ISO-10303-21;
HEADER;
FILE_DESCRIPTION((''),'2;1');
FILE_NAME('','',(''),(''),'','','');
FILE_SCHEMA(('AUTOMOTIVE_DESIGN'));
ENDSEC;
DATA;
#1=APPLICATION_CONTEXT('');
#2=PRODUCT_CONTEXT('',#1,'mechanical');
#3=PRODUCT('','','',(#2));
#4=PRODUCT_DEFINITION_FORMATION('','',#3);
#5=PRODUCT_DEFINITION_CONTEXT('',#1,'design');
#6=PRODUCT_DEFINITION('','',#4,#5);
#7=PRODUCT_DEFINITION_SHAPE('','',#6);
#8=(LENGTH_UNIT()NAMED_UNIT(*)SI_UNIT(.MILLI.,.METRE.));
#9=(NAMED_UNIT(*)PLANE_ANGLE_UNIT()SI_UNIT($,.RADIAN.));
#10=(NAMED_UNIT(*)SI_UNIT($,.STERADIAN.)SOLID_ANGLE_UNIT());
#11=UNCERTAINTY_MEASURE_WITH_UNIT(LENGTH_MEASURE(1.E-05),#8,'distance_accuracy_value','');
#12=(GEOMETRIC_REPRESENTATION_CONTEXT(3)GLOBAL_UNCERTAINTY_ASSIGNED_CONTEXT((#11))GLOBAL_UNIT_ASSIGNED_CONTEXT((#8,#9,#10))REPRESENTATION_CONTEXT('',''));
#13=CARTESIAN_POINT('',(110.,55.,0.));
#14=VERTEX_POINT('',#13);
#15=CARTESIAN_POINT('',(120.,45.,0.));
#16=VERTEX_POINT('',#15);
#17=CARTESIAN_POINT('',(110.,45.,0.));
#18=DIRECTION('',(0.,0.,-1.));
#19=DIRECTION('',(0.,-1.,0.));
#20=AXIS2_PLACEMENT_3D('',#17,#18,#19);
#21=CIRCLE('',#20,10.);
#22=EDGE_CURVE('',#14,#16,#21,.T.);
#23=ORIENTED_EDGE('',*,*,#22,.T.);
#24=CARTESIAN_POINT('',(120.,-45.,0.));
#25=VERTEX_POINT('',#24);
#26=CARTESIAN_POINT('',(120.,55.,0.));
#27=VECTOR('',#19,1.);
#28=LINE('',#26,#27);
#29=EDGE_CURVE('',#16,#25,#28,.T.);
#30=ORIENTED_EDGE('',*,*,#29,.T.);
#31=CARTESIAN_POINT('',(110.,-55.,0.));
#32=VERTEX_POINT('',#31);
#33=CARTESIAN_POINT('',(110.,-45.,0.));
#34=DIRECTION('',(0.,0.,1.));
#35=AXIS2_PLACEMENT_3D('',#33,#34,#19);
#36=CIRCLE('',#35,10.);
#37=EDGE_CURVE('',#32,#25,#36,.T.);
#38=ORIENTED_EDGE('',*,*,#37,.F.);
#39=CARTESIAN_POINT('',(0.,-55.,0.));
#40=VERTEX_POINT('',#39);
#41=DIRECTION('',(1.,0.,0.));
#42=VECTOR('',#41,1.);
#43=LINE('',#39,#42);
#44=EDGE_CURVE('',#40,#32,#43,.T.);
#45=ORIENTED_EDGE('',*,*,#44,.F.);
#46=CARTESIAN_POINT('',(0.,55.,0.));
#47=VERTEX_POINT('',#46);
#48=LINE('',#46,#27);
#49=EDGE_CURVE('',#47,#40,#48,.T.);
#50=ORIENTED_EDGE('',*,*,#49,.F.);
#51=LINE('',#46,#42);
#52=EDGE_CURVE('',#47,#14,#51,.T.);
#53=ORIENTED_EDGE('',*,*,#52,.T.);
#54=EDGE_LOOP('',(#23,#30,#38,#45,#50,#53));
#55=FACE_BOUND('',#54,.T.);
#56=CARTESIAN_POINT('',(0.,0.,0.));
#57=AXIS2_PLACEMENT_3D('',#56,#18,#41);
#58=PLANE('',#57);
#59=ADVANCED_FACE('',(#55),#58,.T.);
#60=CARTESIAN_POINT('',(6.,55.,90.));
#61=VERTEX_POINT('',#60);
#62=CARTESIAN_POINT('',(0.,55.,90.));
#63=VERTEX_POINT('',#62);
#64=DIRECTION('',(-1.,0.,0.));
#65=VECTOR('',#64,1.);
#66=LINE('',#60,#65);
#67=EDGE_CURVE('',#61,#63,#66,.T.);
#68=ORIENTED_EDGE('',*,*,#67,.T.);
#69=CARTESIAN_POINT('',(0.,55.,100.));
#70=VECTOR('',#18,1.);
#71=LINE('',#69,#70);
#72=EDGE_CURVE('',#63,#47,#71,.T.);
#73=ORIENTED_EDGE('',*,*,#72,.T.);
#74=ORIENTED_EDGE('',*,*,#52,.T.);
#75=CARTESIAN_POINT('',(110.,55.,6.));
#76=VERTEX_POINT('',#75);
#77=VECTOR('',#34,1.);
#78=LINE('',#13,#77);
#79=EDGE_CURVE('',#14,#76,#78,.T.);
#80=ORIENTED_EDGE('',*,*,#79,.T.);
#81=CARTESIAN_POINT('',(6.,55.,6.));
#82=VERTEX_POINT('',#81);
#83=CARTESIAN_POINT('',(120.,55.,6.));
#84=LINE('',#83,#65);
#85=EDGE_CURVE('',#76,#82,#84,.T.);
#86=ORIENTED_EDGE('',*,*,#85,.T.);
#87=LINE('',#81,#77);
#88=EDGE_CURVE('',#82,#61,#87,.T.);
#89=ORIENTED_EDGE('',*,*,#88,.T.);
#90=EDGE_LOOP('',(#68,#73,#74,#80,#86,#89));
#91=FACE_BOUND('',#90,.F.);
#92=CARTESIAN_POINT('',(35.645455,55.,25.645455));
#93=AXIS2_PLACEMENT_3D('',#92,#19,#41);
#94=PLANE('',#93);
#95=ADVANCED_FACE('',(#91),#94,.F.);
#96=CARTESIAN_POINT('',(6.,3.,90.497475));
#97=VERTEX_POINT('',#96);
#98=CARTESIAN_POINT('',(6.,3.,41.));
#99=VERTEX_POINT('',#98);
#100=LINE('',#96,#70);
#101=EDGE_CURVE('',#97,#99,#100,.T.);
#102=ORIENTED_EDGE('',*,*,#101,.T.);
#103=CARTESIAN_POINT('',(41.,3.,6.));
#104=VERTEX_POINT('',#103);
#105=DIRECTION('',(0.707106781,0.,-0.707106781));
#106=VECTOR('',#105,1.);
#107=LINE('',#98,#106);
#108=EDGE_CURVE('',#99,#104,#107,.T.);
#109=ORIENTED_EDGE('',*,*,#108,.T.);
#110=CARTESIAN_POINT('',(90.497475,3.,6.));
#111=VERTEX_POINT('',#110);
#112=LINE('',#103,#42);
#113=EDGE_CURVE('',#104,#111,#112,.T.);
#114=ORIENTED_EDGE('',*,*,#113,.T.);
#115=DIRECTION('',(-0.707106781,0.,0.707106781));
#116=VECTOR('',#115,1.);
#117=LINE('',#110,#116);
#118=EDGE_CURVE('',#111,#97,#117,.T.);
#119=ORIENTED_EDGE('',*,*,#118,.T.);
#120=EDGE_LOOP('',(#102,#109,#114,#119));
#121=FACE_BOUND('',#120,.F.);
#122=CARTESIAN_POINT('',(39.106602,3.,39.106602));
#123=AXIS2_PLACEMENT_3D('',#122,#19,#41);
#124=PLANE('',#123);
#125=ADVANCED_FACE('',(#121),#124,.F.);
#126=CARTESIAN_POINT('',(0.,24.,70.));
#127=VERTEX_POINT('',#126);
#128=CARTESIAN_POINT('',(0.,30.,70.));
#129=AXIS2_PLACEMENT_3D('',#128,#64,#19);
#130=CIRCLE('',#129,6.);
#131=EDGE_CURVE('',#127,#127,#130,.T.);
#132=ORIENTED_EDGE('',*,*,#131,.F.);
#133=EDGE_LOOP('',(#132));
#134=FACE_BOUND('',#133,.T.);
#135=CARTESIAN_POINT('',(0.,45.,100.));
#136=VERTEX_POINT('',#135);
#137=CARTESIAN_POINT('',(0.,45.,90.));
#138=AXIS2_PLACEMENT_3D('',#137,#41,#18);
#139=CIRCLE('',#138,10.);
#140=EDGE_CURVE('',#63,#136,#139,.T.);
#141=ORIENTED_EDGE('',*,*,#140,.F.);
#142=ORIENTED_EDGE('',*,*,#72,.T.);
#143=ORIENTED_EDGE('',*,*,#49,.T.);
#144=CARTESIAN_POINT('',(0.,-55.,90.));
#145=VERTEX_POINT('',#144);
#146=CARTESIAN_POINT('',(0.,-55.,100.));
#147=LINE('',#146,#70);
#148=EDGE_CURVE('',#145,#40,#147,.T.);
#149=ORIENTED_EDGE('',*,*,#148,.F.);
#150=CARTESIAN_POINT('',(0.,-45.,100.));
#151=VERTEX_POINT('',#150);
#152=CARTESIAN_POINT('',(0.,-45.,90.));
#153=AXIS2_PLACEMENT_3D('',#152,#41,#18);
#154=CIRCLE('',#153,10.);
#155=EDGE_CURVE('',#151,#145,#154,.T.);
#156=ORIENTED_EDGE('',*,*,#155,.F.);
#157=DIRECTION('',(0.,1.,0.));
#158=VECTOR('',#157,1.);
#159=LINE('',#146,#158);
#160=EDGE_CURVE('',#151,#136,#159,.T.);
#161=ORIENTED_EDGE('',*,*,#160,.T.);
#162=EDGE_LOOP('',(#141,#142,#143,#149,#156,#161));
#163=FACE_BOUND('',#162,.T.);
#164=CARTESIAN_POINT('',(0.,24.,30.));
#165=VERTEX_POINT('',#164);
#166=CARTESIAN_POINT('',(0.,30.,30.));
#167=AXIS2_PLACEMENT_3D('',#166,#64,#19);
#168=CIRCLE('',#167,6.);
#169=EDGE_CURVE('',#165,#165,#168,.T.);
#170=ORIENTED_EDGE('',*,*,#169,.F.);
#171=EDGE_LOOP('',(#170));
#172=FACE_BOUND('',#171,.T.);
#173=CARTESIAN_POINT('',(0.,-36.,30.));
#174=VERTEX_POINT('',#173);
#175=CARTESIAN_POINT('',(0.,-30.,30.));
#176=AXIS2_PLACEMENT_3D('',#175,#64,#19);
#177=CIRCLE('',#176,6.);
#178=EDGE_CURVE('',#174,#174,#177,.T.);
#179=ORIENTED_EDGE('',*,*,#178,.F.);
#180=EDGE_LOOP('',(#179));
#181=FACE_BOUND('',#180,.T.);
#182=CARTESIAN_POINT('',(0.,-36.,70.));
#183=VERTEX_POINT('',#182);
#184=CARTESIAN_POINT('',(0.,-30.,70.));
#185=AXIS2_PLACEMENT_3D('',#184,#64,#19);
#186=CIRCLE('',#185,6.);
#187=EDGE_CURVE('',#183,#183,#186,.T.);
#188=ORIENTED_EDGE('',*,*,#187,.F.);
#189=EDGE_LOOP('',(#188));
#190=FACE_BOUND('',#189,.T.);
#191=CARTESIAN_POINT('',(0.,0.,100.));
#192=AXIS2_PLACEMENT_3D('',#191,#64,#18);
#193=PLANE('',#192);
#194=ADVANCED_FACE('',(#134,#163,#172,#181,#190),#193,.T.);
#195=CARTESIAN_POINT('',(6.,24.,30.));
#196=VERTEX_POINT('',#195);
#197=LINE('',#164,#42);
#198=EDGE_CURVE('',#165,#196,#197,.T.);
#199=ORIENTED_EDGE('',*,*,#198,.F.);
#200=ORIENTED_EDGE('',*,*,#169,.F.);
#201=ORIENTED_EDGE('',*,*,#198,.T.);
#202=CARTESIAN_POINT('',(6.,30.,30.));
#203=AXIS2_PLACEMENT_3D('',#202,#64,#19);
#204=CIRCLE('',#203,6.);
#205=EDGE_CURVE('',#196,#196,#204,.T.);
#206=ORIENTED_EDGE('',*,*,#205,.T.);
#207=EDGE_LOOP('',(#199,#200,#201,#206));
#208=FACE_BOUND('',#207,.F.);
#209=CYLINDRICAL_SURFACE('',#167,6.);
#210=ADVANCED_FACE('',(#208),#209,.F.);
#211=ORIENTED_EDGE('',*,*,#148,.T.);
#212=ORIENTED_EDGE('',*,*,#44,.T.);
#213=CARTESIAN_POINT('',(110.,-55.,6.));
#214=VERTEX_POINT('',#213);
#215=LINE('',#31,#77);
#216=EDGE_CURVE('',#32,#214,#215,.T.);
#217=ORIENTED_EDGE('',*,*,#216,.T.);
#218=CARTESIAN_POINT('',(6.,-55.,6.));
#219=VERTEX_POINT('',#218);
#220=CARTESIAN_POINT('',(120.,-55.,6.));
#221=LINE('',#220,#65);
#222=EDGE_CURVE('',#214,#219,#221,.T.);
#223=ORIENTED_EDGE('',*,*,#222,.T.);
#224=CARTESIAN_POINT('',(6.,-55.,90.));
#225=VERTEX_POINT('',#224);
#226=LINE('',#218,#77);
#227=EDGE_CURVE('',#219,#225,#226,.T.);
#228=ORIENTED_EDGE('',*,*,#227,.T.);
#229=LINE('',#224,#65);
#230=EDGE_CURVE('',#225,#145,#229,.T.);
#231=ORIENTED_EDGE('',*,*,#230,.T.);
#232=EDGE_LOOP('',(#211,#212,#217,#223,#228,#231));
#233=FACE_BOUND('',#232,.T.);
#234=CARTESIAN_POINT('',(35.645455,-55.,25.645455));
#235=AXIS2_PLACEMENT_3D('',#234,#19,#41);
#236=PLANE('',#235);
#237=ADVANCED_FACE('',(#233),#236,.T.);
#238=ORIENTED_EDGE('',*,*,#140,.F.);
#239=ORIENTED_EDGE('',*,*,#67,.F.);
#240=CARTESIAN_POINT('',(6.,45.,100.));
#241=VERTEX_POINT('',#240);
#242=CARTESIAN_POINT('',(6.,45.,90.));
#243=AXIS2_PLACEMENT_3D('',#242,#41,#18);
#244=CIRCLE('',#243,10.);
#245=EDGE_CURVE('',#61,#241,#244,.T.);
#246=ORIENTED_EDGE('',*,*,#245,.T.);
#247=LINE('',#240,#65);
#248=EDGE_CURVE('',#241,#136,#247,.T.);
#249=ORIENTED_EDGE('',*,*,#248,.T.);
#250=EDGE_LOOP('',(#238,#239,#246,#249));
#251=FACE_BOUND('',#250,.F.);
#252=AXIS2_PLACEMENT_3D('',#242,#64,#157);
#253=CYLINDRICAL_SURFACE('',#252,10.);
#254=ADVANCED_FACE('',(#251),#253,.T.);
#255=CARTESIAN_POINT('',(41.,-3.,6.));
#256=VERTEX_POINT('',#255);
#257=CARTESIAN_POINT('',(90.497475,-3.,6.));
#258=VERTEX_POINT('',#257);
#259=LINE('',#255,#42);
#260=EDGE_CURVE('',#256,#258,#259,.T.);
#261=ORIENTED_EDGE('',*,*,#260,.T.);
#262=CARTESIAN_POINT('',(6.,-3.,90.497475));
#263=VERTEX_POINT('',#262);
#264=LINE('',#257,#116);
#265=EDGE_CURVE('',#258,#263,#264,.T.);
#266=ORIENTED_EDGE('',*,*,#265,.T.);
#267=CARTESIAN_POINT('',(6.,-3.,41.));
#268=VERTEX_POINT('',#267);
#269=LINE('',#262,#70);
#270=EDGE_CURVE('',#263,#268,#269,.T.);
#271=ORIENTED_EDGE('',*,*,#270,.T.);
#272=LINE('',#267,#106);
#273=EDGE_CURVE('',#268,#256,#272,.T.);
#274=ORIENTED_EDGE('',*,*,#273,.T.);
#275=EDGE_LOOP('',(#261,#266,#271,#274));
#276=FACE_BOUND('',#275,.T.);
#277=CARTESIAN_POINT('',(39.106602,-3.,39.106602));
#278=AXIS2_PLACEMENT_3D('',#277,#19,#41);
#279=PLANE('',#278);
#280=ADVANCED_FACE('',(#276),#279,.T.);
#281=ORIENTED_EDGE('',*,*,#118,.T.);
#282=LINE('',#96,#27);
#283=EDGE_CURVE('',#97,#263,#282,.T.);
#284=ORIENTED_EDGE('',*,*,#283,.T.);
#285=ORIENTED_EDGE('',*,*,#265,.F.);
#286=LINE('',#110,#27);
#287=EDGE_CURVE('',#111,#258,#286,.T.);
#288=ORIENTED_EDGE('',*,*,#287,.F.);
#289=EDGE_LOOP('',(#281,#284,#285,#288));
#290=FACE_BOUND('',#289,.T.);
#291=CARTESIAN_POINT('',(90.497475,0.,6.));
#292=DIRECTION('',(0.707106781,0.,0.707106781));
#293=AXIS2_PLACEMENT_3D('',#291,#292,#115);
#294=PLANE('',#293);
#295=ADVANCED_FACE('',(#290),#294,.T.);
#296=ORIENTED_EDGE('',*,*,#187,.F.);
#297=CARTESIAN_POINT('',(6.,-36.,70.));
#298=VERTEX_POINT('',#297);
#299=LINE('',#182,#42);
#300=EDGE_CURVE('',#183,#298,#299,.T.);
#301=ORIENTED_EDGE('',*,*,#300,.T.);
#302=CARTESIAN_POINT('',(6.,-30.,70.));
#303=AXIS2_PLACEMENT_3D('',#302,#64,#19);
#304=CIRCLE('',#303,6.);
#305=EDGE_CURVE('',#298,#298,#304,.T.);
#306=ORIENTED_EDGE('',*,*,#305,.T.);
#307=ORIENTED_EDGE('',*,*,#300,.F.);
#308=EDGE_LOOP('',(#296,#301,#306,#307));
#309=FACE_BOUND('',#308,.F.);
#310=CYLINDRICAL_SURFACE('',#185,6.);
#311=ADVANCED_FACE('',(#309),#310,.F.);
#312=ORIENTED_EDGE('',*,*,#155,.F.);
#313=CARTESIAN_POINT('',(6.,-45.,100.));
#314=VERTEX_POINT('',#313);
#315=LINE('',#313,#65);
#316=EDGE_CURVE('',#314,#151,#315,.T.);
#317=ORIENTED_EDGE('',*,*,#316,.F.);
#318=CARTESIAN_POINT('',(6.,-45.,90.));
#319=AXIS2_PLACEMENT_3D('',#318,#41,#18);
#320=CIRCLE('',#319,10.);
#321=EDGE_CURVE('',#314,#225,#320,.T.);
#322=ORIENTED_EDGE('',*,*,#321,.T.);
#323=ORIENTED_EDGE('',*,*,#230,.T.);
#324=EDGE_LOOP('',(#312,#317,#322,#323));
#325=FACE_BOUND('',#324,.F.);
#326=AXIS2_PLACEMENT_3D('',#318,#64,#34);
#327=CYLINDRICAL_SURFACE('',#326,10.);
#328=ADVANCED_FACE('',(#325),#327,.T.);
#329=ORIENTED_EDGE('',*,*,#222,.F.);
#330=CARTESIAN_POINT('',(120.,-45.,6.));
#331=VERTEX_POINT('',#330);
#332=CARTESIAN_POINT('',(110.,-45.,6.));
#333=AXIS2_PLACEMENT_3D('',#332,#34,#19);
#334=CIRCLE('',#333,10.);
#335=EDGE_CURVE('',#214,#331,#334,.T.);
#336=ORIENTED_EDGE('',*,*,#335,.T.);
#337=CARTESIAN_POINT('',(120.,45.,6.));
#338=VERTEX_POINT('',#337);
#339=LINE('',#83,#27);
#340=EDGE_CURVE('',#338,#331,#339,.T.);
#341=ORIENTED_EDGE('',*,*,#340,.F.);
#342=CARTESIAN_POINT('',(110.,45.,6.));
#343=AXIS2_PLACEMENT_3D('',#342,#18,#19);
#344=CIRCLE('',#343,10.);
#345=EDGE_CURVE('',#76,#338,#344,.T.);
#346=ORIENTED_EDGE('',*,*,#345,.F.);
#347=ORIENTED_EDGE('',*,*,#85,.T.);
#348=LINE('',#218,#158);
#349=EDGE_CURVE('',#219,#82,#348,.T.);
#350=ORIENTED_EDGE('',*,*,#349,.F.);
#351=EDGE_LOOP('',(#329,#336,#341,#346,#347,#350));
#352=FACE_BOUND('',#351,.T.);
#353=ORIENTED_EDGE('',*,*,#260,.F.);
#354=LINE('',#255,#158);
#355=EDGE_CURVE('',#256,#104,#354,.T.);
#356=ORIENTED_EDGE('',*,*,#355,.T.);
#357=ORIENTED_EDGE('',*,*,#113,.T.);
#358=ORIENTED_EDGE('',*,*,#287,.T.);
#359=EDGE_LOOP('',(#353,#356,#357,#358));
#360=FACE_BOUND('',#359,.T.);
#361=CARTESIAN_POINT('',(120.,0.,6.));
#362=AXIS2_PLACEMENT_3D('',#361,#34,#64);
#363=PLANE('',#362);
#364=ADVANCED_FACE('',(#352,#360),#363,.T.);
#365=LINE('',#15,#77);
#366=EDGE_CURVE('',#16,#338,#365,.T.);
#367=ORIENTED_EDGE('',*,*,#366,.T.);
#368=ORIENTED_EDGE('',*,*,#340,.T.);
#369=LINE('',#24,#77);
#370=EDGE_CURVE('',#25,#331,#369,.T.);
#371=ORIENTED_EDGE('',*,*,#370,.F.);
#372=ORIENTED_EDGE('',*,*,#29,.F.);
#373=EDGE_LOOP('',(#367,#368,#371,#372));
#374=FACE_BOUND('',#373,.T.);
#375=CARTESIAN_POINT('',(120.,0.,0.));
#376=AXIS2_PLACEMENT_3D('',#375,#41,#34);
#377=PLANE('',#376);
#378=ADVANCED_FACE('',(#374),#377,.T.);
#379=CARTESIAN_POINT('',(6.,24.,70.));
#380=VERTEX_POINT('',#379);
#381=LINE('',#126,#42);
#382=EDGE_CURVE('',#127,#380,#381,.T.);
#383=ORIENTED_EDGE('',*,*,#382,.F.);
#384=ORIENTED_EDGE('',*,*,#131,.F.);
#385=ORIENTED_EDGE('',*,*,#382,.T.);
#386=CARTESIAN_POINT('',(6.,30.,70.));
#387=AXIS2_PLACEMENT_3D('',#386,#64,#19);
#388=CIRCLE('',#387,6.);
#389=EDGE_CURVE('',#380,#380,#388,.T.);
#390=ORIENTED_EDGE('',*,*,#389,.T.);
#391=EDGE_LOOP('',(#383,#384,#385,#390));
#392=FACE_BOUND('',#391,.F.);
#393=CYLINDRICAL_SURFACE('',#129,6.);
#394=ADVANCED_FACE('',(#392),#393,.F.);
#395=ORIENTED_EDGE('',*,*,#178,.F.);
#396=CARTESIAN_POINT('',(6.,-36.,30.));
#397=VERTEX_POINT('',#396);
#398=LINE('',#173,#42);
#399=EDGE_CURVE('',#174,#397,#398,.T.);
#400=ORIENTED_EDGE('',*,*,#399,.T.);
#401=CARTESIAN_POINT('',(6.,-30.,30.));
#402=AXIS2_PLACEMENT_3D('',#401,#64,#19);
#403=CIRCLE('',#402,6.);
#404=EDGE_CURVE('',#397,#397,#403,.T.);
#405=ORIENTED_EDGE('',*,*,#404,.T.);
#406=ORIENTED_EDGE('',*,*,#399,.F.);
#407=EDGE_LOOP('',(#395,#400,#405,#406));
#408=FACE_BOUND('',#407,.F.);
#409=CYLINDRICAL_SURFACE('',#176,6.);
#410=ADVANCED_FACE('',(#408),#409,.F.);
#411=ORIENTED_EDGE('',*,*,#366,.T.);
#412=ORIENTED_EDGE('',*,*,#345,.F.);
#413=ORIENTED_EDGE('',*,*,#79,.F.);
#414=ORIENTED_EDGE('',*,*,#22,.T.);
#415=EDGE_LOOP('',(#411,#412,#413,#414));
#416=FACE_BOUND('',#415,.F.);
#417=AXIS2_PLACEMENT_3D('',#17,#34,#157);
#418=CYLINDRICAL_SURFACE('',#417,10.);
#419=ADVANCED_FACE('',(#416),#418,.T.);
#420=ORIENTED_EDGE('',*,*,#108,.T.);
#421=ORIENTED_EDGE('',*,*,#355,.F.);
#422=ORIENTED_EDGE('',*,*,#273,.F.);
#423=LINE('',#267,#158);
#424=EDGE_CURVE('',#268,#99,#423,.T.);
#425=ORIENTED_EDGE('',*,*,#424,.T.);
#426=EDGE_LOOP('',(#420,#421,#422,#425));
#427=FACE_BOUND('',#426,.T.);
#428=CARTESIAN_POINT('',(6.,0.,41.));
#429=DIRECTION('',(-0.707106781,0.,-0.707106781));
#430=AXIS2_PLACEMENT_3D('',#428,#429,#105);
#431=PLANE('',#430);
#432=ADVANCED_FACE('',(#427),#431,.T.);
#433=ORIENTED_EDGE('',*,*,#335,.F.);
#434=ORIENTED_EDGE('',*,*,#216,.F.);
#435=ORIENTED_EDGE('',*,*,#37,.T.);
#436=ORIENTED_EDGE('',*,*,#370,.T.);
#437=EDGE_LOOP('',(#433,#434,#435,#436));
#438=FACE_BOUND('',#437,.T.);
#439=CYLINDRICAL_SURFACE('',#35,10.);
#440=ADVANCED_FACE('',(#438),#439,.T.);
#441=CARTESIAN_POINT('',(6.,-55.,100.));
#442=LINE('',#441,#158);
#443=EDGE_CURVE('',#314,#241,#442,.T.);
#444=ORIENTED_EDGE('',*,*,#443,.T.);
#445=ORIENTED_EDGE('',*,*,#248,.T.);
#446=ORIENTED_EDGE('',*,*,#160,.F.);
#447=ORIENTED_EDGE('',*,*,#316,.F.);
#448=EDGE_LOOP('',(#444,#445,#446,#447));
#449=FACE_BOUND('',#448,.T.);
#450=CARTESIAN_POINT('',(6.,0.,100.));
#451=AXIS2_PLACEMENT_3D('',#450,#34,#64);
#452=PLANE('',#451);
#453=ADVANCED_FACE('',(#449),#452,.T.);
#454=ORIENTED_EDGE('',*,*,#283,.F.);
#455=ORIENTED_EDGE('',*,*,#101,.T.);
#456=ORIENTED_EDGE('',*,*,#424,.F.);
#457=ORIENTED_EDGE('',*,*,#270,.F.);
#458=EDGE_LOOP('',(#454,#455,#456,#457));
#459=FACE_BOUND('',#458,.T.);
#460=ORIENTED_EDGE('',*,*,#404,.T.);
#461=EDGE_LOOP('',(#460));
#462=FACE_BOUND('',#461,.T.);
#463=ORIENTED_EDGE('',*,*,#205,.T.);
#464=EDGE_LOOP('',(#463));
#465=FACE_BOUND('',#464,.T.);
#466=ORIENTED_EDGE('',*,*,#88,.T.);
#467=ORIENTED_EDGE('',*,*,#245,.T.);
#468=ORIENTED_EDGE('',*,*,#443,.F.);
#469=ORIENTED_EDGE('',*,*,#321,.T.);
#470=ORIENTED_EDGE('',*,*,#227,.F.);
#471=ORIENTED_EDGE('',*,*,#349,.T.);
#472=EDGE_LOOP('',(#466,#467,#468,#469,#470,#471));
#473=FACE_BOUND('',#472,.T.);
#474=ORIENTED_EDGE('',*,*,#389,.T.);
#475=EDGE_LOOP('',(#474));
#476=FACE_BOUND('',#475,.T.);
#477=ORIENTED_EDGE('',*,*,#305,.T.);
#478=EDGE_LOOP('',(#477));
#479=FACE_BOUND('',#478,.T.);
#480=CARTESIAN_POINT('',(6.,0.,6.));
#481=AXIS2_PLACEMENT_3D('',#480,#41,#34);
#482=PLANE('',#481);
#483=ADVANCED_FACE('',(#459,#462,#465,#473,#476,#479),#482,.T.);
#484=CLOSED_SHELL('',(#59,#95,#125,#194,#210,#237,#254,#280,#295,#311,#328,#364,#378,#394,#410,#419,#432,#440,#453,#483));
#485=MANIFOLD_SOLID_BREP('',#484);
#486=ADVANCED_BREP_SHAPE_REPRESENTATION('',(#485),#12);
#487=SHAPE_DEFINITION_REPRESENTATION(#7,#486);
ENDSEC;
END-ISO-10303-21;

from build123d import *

# Parameters (mm, degrees)
F1_DEPTH = 55
F2_DEPTH = 3
F3_R     = 6
F4_DEPTH = 120.001
F5_R     = 10


with BuildPart() as f1:
    # F0 (on Front) → F1 (new body, symmetric)
    with BuildSketch(Plane.XZ):
        Polygon((0, 100), (0, 0), (120, 0), (120, 6), (90.497475, 6), (41, 6), (6, 6), (6, 41), (6, 90.497475), (6, 100), align=None)
    extrude(amount=F1_DEPTH, both=True)

    # F0 (on Front) → F2 (join, symmetric)
    with BuildSketch(Plane.XZ):
        Polygon((41, 6), (90.497475, 6), (6, 90.497475), (6, 41), align=None)
    extrude(amount=F2_DEPTH, both=True)

    # F3 (on face) → F4 (cut, through all)
    with BuildSketch(Plane(origin=(0, 0, 0), x_dir=(0, -1, 0), z_dir=(-1, 0, 0))):
        with Locations((-30, 70)):
            Circle(F3_R)
        with Locations((30, 70)):
            Circle(F3_R)
        with Locations((30, 30)):
            Circle(F3_R)
        with Locations((-30, 30)):
            Circle(F3_R)
    extrude(amount=-F4_DEPTH, mode=Mode.SUBTRACT)

    # F5
    f5_edges = [f1.edges().sort_by_distance(p)[0] for p in [
        (3, -55, 100),
        (120, -55, 3),
        (120, 55, 3),
        (3, 55, 100),
    ]]
    fillet(f5_edges, radius=F5_R)


solid = f1.part
